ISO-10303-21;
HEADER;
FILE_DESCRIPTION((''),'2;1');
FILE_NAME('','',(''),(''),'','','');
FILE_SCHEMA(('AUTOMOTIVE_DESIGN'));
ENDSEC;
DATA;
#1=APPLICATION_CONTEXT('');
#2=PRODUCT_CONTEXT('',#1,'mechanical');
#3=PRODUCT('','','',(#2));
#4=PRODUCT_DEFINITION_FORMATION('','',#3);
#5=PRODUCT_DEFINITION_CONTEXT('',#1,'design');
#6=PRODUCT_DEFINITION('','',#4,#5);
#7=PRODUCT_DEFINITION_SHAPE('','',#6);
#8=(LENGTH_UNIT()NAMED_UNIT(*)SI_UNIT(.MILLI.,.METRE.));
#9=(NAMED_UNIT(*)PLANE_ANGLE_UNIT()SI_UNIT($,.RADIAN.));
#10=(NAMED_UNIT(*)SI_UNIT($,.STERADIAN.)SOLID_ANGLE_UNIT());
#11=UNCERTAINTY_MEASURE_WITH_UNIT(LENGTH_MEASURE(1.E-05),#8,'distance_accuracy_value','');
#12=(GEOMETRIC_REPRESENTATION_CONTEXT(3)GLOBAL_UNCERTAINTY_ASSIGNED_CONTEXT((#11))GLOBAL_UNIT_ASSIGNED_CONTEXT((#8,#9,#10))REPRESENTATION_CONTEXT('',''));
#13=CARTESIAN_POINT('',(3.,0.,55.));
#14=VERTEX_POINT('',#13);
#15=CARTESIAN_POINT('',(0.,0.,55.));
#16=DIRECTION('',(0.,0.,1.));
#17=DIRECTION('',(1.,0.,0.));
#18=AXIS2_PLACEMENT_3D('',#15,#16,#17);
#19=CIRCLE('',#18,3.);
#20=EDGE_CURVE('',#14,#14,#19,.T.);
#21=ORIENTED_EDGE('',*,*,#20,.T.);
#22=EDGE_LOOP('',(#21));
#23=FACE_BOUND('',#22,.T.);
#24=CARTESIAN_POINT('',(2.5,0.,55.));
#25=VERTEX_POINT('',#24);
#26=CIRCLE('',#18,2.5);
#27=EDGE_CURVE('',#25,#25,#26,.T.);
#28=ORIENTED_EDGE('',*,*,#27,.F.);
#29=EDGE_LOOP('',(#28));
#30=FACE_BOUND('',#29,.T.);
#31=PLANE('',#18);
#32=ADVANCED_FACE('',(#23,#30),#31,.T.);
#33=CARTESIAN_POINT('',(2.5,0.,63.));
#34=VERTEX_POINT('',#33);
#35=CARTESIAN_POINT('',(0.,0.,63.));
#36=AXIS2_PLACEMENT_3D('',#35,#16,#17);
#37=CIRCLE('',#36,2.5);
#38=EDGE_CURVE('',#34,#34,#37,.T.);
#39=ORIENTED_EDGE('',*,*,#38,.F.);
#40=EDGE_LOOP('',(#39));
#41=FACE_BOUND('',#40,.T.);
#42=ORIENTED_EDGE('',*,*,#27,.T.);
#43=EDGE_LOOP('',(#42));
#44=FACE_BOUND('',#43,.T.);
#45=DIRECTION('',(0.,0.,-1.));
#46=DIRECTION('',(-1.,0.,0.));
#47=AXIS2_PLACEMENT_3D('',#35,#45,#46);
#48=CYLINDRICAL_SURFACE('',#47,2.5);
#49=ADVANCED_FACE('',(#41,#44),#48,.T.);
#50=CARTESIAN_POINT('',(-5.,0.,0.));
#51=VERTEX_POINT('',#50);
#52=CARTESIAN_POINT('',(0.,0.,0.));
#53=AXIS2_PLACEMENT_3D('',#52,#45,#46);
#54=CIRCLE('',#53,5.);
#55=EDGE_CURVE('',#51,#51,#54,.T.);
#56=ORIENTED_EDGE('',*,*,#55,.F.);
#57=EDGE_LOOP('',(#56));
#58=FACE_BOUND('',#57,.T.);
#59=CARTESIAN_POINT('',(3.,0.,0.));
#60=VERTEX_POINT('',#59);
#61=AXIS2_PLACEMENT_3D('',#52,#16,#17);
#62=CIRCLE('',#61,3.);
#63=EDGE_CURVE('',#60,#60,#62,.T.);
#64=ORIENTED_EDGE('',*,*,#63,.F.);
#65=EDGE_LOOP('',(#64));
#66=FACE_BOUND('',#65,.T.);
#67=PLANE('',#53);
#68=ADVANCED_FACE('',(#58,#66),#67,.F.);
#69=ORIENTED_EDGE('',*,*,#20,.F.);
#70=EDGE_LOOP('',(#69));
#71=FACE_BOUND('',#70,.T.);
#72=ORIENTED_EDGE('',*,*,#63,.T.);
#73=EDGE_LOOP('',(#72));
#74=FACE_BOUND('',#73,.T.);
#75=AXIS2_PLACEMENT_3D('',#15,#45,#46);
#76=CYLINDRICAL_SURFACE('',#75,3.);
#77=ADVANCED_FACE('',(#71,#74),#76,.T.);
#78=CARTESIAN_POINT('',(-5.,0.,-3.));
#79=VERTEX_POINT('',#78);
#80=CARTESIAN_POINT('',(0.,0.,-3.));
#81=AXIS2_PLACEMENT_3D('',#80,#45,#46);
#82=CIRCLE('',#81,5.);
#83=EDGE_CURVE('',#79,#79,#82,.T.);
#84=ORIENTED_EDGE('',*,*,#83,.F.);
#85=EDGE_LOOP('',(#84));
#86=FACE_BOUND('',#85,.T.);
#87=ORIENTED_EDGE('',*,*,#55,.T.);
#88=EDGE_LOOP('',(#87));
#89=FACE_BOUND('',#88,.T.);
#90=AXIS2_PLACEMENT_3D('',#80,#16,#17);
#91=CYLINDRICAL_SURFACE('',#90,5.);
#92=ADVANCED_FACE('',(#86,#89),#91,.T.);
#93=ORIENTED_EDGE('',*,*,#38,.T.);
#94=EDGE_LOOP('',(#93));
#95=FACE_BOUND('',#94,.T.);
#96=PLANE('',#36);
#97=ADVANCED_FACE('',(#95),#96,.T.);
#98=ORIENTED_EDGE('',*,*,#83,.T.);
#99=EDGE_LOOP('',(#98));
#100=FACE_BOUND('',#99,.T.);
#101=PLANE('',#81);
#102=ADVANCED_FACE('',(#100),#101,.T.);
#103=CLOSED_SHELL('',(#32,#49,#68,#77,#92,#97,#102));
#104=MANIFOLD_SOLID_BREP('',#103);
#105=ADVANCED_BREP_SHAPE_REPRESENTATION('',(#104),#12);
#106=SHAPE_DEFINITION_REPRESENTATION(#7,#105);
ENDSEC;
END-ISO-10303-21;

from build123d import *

# Parameters (mm, degrees)
SKETCH_1_R      = 3
EXTRUDE_1_DEPTH = 55
SKETCH_2_R      = 2.5
EXTRUDE_2_DEPTH = 8
SKETCH_3_R      = 5
EXTRUDE_3_DEPTH = 3


with BuildPart() as part:
    # 草图1 → 凸台-拉伸1 (new body)
    with BuildSketch(Plane.XY):
        Circle(SKETCH_1_R)
    extrude(amount=EXTRUDE_1_DEPTH)

    # 草图2 → 凸台-拉伸2 (add)
    with BuildSketch(Plane.XY.offset(55)):
        Circle(SKETCH_2_R)
    extrude(amount=EXTRUDE_2_DEPTH)

    # 草图3 → 凸台-拉伸3 (add)
    with BuildSketch(Plane(origin=(0, 0, 0), x_dir=(-1, 0, 0), z_dir=(0, 0, -1))):
        Circle(SKETCH_3_R)
    extrude(amount=EXTRUDE_3_DEPTH)


solid = part.part
